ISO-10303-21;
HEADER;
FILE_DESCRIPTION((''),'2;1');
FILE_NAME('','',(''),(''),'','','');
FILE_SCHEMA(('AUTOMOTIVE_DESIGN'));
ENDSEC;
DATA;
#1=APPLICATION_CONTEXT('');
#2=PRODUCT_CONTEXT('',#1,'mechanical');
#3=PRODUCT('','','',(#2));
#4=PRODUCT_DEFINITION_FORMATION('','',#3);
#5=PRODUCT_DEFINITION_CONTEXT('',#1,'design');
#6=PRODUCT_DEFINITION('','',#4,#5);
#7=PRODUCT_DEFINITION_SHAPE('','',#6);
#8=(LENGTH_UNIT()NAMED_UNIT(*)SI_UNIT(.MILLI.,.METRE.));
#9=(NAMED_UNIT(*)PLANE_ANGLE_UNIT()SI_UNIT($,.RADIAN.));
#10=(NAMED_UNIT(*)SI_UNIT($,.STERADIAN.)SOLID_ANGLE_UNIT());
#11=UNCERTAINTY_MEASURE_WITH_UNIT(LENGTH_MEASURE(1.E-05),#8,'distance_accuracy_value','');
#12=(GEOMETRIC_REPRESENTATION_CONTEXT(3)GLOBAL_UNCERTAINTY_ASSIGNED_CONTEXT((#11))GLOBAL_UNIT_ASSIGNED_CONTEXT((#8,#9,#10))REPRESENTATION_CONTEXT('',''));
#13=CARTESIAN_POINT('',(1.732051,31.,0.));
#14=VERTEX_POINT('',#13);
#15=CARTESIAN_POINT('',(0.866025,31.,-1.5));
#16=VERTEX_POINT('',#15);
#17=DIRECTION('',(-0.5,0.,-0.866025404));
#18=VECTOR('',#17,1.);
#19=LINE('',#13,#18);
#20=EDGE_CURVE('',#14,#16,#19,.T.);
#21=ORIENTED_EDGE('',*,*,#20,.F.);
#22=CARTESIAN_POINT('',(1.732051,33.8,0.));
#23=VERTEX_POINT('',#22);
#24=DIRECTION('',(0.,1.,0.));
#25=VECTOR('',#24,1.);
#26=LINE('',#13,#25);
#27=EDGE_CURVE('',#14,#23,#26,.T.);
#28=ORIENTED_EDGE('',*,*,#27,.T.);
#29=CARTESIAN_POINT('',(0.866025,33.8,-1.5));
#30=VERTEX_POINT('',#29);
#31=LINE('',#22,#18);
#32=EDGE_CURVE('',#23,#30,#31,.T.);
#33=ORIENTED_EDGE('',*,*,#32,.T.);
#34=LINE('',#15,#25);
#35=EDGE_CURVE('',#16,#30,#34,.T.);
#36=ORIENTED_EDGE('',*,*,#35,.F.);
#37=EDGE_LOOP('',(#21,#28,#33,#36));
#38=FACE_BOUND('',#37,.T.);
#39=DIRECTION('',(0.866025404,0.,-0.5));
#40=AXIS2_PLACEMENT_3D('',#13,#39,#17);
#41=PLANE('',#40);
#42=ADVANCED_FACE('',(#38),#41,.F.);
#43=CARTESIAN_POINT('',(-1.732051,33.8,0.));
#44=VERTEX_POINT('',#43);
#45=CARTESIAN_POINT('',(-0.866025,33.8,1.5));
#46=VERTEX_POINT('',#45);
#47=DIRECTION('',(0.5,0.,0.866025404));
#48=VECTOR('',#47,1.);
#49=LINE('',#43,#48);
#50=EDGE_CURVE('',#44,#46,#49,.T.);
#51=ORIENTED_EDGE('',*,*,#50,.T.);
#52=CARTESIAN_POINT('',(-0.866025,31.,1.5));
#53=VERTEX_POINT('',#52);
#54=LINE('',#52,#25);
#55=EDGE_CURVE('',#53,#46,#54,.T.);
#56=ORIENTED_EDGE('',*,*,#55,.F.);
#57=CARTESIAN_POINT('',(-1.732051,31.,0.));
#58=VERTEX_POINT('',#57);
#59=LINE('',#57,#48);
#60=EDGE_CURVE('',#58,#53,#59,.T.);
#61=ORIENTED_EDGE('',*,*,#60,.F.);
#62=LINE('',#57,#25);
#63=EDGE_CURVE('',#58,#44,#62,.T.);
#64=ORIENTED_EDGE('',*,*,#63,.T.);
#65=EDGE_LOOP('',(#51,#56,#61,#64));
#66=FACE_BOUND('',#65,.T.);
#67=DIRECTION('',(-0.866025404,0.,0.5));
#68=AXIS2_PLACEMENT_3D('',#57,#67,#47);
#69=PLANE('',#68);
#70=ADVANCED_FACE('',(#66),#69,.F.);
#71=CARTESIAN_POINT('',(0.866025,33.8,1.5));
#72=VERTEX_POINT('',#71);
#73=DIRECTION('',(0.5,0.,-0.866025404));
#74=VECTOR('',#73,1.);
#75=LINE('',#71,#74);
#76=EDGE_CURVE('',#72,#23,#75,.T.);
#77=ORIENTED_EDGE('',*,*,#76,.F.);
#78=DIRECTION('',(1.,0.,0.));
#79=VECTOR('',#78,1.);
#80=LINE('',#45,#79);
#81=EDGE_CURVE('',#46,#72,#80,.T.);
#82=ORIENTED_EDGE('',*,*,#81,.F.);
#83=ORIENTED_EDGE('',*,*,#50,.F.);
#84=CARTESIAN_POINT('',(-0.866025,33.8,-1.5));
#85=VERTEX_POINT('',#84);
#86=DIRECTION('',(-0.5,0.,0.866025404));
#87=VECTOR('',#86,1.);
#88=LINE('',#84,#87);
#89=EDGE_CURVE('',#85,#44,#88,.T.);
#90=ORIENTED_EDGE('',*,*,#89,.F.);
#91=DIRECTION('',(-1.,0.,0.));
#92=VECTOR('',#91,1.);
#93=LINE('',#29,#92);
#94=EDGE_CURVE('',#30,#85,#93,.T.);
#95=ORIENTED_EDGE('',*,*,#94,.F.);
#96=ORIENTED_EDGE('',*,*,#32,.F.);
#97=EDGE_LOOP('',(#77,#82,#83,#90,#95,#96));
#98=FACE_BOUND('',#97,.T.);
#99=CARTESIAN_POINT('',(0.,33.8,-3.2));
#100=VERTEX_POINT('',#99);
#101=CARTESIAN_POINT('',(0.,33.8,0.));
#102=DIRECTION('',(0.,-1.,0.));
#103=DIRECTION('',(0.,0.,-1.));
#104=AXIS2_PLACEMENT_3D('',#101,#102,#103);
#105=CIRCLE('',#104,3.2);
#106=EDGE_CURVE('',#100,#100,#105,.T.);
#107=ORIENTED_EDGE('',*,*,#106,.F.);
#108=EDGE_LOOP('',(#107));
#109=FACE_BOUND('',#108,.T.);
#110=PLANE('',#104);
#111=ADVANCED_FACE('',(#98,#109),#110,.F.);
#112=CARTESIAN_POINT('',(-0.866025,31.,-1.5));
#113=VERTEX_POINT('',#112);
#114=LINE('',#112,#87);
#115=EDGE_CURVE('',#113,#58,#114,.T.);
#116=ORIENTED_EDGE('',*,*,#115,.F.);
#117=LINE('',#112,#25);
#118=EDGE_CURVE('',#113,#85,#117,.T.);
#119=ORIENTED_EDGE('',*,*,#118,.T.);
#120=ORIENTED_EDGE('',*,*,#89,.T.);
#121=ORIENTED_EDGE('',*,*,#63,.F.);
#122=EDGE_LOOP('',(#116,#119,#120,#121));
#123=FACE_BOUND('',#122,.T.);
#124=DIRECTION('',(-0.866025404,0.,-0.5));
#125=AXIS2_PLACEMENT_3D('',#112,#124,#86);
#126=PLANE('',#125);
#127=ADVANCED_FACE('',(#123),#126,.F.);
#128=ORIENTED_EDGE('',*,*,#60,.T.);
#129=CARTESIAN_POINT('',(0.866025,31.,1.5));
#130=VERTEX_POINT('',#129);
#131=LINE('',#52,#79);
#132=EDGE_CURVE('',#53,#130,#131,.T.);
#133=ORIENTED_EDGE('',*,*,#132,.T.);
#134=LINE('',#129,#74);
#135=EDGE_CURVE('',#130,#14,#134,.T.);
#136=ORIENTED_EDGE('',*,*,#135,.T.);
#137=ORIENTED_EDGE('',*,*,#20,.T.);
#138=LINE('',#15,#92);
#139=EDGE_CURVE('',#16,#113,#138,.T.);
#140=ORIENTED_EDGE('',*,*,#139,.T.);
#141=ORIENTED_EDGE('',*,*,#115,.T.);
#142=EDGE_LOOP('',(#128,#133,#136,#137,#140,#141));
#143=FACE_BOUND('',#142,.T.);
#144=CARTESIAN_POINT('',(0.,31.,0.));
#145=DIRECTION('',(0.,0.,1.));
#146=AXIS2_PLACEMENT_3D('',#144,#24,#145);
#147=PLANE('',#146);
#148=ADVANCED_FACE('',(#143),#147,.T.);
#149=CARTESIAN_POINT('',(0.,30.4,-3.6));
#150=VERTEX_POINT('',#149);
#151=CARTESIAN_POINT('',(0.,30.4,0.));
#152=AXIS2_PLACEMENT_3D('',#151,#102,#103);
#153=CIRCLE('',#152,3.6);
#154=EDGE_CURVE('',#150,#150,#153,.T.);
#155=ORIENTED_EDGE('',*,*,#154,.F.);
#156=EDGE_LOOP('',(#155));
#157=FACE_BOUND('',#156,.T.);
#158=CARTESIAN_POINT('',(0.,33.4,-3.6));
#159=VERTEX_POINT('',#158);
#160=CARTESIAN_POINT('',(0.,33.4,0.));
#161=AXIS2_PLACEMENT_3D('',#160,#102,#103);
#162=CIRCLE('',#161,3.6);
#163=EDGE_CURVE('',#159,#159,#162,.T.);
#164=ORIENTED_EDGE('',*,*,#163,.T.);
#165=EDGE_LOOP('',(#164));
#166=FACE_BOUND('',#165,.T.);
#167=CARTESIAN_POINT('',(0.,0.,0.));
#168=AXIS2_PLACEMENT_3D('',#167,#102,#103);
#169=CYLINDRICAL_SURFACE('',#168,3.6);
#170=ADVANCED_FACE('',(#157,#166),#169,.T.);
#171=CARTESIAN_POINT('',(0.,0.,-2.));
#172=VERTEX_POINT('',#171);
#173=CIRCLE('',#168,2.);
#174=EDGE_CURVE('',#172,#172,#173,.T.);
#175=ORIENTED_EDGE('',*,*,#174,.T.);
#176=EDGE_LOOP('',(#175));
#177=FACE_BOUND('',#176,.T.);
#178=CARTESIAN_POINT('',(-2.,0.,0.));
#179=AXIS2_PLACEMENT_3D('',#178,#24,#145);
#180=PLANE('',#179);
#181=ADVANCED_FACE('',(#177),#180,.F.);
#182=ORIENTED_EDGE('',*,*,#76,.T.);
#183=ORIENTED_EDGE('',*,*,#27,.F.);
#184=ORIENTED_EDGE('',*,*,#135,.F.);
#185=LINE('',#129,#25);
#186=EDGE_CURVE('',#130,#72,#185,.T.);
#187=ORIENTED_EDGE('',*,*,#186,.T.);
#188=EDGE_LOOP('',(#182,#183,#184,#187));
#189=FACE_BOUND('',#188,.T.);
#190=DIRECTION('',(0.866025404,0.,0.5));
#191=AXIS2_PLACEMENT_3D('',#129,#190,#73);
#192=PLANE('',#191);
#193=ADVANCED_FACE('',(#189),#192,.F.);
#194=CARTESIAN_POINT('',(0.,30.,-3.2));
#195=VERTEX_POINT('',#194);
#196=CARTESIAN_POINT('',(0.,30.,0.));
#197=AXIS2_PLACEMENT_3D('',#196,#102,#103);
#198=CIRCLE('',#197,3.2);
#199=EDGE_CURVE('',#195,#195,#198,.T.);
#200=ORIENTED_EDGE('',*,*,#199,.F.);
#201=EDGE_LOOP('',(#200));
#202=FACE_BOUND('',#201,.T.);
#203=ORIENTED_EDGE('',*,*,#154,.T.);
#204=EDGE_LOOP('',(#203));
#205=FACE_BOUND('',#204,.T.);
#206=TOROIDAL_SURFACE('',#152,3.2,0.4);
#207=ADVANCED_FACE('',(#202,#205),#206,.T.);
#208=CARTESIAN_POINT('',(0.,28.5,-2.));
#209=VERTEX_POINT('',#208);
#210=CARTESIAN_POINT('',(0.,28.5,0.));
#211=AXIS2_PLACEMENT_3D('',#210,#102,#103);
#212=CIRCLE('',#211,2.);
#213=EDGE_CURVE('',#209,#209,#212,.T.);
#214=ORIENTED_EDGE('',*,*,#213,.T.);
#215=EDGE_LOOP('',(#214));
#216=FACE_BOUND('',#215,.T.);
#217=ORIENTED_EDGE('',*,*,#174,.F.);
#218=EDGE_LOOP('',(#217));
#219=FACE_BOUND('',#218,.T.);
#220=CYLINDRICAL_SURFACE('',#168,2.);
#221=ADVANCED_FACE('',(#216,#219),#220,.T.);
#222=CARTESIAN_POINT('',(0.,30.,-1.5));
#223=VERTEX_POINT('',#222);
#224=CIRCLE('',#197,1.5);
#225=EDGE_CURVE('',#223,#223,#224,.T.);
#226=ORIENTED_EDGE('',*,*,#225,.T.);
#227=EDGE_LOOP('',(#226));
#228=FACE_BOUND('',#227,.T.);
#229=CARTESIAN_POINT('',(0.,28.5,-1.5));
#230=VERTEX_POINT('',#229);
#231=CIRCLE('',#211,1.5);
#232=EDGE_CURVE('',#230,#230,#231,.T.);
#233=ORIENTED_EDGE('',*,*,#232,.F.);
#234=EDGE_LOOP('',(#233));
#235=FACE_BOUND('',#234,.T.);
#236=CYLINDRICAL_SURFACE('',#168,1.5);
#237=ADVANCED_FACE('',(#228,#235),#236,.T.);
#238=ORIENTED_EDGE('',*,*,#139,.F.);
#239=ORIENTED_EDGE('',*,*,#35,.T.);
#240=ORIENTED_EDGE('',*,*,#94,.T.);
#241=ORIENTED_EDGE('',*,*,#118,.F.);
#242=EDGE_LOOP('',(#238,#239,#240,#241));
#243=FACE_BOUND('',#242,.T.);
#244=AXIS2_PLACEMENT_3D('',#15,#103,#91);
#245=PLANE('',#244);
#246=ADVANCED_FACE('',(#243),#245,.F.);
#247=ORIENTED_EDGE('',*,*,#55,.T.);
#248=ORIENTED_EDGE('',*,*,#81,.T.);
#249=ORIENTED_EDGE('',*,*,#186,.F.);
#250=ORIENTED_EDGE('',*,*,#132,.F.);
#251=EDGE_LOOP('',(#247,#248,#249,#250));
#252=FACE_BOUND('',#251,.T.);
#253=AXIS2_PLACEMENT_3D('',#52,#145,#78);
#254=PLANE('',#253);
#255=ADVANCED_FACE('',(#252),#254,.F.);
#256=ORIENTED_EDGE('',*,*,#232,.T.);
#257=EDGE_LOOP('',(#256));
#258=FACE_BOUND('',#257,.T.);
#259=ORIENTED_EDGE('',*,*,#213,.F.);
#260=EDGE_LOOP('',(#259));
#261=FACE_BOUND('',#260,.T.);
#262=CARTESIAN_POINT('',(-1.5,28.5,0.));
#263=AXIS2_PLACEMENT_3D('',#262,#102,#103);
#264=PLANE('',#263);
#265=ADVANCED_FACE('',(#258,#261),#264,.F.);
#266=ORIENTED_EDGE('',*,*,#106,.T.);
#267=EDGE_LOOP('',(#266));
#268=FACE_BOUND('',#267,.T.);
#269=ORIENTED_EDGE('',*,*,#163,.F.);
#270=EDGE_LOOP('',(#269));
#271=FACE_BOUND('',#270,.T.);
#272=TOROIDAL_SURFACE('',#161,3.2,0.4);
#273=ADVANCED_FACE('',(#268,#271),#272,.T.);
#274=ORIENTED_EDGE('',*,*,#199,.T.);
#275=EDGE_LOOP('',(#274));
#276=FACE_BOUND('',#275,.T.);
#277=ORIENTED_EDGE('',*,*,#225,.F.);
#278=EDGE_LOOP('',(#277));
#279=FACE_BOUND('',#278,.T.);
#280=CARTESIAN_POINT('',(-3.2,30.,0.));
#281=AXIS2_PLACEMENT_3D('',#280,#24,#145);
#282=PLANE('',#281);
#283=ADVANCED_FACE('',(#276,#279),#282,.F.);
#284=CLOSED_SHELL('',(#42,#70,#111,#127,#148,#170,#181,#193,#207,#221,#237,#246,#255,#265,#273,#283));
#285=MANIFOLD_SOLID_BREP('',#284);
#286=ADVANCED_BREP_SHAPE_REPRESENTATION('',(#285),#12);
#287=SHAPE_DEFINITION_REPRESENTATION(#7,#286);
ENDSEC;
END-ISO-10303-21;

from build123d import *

# Parameters (mm, degrees)
CUT_EXTRUDE_1_DEPTH = 2.8


with BuildPart() as part:
    # 草图1 → 旋转1 (revolve)
    with BuildSketch(Plane.XY):
        with BuildLine():
            Line((0, 33.8), (-3.2, 33.8))
            ThreePointArc((-3.2, 33.8), (-3.482842712, 33.682842712), (-3.6, 33.4))
            Line((-3.6, 33.4), (-3.6, 30.4))
            ThreePointArc((-3.6, 30.4), (-3.482842712, 30.117157288), (-3.2, 30))
            Line((-3.2, 30), (-1.5, 30))
            Line((-1.5, 30), (-1.5, 28.5))
            Line((-1.5, 28.5), (-2, 28.5))
            Line((-2, 28.5), (-2, 0))
            Line((-2, 0), (0, 0))
            Line((0, 0), (0, 33.8))
        make_face()
    revolve(axis=Axis((0, 0, 0), (0, 1, 0)))

    # 草图2 → 切除-拉伸1 (cut)
    with BuildSketch(Plane(origin=(0, 33.8, 0), x_dir=(1, 0, 0), z_dir=(0, 1, 0))):
        Polygon((-0.866025404, 1.5), (-1.732050808, 0), (-0.866025404, -1.5), (0.866025404, -1.5), (1.732050808, 0), (0.866025404, 1.5), align=None)
    extrude(amount=-CUT_EXTRUDE_1_DEPTH, mode=Mode.SUBTRACT)


solid = part.part
